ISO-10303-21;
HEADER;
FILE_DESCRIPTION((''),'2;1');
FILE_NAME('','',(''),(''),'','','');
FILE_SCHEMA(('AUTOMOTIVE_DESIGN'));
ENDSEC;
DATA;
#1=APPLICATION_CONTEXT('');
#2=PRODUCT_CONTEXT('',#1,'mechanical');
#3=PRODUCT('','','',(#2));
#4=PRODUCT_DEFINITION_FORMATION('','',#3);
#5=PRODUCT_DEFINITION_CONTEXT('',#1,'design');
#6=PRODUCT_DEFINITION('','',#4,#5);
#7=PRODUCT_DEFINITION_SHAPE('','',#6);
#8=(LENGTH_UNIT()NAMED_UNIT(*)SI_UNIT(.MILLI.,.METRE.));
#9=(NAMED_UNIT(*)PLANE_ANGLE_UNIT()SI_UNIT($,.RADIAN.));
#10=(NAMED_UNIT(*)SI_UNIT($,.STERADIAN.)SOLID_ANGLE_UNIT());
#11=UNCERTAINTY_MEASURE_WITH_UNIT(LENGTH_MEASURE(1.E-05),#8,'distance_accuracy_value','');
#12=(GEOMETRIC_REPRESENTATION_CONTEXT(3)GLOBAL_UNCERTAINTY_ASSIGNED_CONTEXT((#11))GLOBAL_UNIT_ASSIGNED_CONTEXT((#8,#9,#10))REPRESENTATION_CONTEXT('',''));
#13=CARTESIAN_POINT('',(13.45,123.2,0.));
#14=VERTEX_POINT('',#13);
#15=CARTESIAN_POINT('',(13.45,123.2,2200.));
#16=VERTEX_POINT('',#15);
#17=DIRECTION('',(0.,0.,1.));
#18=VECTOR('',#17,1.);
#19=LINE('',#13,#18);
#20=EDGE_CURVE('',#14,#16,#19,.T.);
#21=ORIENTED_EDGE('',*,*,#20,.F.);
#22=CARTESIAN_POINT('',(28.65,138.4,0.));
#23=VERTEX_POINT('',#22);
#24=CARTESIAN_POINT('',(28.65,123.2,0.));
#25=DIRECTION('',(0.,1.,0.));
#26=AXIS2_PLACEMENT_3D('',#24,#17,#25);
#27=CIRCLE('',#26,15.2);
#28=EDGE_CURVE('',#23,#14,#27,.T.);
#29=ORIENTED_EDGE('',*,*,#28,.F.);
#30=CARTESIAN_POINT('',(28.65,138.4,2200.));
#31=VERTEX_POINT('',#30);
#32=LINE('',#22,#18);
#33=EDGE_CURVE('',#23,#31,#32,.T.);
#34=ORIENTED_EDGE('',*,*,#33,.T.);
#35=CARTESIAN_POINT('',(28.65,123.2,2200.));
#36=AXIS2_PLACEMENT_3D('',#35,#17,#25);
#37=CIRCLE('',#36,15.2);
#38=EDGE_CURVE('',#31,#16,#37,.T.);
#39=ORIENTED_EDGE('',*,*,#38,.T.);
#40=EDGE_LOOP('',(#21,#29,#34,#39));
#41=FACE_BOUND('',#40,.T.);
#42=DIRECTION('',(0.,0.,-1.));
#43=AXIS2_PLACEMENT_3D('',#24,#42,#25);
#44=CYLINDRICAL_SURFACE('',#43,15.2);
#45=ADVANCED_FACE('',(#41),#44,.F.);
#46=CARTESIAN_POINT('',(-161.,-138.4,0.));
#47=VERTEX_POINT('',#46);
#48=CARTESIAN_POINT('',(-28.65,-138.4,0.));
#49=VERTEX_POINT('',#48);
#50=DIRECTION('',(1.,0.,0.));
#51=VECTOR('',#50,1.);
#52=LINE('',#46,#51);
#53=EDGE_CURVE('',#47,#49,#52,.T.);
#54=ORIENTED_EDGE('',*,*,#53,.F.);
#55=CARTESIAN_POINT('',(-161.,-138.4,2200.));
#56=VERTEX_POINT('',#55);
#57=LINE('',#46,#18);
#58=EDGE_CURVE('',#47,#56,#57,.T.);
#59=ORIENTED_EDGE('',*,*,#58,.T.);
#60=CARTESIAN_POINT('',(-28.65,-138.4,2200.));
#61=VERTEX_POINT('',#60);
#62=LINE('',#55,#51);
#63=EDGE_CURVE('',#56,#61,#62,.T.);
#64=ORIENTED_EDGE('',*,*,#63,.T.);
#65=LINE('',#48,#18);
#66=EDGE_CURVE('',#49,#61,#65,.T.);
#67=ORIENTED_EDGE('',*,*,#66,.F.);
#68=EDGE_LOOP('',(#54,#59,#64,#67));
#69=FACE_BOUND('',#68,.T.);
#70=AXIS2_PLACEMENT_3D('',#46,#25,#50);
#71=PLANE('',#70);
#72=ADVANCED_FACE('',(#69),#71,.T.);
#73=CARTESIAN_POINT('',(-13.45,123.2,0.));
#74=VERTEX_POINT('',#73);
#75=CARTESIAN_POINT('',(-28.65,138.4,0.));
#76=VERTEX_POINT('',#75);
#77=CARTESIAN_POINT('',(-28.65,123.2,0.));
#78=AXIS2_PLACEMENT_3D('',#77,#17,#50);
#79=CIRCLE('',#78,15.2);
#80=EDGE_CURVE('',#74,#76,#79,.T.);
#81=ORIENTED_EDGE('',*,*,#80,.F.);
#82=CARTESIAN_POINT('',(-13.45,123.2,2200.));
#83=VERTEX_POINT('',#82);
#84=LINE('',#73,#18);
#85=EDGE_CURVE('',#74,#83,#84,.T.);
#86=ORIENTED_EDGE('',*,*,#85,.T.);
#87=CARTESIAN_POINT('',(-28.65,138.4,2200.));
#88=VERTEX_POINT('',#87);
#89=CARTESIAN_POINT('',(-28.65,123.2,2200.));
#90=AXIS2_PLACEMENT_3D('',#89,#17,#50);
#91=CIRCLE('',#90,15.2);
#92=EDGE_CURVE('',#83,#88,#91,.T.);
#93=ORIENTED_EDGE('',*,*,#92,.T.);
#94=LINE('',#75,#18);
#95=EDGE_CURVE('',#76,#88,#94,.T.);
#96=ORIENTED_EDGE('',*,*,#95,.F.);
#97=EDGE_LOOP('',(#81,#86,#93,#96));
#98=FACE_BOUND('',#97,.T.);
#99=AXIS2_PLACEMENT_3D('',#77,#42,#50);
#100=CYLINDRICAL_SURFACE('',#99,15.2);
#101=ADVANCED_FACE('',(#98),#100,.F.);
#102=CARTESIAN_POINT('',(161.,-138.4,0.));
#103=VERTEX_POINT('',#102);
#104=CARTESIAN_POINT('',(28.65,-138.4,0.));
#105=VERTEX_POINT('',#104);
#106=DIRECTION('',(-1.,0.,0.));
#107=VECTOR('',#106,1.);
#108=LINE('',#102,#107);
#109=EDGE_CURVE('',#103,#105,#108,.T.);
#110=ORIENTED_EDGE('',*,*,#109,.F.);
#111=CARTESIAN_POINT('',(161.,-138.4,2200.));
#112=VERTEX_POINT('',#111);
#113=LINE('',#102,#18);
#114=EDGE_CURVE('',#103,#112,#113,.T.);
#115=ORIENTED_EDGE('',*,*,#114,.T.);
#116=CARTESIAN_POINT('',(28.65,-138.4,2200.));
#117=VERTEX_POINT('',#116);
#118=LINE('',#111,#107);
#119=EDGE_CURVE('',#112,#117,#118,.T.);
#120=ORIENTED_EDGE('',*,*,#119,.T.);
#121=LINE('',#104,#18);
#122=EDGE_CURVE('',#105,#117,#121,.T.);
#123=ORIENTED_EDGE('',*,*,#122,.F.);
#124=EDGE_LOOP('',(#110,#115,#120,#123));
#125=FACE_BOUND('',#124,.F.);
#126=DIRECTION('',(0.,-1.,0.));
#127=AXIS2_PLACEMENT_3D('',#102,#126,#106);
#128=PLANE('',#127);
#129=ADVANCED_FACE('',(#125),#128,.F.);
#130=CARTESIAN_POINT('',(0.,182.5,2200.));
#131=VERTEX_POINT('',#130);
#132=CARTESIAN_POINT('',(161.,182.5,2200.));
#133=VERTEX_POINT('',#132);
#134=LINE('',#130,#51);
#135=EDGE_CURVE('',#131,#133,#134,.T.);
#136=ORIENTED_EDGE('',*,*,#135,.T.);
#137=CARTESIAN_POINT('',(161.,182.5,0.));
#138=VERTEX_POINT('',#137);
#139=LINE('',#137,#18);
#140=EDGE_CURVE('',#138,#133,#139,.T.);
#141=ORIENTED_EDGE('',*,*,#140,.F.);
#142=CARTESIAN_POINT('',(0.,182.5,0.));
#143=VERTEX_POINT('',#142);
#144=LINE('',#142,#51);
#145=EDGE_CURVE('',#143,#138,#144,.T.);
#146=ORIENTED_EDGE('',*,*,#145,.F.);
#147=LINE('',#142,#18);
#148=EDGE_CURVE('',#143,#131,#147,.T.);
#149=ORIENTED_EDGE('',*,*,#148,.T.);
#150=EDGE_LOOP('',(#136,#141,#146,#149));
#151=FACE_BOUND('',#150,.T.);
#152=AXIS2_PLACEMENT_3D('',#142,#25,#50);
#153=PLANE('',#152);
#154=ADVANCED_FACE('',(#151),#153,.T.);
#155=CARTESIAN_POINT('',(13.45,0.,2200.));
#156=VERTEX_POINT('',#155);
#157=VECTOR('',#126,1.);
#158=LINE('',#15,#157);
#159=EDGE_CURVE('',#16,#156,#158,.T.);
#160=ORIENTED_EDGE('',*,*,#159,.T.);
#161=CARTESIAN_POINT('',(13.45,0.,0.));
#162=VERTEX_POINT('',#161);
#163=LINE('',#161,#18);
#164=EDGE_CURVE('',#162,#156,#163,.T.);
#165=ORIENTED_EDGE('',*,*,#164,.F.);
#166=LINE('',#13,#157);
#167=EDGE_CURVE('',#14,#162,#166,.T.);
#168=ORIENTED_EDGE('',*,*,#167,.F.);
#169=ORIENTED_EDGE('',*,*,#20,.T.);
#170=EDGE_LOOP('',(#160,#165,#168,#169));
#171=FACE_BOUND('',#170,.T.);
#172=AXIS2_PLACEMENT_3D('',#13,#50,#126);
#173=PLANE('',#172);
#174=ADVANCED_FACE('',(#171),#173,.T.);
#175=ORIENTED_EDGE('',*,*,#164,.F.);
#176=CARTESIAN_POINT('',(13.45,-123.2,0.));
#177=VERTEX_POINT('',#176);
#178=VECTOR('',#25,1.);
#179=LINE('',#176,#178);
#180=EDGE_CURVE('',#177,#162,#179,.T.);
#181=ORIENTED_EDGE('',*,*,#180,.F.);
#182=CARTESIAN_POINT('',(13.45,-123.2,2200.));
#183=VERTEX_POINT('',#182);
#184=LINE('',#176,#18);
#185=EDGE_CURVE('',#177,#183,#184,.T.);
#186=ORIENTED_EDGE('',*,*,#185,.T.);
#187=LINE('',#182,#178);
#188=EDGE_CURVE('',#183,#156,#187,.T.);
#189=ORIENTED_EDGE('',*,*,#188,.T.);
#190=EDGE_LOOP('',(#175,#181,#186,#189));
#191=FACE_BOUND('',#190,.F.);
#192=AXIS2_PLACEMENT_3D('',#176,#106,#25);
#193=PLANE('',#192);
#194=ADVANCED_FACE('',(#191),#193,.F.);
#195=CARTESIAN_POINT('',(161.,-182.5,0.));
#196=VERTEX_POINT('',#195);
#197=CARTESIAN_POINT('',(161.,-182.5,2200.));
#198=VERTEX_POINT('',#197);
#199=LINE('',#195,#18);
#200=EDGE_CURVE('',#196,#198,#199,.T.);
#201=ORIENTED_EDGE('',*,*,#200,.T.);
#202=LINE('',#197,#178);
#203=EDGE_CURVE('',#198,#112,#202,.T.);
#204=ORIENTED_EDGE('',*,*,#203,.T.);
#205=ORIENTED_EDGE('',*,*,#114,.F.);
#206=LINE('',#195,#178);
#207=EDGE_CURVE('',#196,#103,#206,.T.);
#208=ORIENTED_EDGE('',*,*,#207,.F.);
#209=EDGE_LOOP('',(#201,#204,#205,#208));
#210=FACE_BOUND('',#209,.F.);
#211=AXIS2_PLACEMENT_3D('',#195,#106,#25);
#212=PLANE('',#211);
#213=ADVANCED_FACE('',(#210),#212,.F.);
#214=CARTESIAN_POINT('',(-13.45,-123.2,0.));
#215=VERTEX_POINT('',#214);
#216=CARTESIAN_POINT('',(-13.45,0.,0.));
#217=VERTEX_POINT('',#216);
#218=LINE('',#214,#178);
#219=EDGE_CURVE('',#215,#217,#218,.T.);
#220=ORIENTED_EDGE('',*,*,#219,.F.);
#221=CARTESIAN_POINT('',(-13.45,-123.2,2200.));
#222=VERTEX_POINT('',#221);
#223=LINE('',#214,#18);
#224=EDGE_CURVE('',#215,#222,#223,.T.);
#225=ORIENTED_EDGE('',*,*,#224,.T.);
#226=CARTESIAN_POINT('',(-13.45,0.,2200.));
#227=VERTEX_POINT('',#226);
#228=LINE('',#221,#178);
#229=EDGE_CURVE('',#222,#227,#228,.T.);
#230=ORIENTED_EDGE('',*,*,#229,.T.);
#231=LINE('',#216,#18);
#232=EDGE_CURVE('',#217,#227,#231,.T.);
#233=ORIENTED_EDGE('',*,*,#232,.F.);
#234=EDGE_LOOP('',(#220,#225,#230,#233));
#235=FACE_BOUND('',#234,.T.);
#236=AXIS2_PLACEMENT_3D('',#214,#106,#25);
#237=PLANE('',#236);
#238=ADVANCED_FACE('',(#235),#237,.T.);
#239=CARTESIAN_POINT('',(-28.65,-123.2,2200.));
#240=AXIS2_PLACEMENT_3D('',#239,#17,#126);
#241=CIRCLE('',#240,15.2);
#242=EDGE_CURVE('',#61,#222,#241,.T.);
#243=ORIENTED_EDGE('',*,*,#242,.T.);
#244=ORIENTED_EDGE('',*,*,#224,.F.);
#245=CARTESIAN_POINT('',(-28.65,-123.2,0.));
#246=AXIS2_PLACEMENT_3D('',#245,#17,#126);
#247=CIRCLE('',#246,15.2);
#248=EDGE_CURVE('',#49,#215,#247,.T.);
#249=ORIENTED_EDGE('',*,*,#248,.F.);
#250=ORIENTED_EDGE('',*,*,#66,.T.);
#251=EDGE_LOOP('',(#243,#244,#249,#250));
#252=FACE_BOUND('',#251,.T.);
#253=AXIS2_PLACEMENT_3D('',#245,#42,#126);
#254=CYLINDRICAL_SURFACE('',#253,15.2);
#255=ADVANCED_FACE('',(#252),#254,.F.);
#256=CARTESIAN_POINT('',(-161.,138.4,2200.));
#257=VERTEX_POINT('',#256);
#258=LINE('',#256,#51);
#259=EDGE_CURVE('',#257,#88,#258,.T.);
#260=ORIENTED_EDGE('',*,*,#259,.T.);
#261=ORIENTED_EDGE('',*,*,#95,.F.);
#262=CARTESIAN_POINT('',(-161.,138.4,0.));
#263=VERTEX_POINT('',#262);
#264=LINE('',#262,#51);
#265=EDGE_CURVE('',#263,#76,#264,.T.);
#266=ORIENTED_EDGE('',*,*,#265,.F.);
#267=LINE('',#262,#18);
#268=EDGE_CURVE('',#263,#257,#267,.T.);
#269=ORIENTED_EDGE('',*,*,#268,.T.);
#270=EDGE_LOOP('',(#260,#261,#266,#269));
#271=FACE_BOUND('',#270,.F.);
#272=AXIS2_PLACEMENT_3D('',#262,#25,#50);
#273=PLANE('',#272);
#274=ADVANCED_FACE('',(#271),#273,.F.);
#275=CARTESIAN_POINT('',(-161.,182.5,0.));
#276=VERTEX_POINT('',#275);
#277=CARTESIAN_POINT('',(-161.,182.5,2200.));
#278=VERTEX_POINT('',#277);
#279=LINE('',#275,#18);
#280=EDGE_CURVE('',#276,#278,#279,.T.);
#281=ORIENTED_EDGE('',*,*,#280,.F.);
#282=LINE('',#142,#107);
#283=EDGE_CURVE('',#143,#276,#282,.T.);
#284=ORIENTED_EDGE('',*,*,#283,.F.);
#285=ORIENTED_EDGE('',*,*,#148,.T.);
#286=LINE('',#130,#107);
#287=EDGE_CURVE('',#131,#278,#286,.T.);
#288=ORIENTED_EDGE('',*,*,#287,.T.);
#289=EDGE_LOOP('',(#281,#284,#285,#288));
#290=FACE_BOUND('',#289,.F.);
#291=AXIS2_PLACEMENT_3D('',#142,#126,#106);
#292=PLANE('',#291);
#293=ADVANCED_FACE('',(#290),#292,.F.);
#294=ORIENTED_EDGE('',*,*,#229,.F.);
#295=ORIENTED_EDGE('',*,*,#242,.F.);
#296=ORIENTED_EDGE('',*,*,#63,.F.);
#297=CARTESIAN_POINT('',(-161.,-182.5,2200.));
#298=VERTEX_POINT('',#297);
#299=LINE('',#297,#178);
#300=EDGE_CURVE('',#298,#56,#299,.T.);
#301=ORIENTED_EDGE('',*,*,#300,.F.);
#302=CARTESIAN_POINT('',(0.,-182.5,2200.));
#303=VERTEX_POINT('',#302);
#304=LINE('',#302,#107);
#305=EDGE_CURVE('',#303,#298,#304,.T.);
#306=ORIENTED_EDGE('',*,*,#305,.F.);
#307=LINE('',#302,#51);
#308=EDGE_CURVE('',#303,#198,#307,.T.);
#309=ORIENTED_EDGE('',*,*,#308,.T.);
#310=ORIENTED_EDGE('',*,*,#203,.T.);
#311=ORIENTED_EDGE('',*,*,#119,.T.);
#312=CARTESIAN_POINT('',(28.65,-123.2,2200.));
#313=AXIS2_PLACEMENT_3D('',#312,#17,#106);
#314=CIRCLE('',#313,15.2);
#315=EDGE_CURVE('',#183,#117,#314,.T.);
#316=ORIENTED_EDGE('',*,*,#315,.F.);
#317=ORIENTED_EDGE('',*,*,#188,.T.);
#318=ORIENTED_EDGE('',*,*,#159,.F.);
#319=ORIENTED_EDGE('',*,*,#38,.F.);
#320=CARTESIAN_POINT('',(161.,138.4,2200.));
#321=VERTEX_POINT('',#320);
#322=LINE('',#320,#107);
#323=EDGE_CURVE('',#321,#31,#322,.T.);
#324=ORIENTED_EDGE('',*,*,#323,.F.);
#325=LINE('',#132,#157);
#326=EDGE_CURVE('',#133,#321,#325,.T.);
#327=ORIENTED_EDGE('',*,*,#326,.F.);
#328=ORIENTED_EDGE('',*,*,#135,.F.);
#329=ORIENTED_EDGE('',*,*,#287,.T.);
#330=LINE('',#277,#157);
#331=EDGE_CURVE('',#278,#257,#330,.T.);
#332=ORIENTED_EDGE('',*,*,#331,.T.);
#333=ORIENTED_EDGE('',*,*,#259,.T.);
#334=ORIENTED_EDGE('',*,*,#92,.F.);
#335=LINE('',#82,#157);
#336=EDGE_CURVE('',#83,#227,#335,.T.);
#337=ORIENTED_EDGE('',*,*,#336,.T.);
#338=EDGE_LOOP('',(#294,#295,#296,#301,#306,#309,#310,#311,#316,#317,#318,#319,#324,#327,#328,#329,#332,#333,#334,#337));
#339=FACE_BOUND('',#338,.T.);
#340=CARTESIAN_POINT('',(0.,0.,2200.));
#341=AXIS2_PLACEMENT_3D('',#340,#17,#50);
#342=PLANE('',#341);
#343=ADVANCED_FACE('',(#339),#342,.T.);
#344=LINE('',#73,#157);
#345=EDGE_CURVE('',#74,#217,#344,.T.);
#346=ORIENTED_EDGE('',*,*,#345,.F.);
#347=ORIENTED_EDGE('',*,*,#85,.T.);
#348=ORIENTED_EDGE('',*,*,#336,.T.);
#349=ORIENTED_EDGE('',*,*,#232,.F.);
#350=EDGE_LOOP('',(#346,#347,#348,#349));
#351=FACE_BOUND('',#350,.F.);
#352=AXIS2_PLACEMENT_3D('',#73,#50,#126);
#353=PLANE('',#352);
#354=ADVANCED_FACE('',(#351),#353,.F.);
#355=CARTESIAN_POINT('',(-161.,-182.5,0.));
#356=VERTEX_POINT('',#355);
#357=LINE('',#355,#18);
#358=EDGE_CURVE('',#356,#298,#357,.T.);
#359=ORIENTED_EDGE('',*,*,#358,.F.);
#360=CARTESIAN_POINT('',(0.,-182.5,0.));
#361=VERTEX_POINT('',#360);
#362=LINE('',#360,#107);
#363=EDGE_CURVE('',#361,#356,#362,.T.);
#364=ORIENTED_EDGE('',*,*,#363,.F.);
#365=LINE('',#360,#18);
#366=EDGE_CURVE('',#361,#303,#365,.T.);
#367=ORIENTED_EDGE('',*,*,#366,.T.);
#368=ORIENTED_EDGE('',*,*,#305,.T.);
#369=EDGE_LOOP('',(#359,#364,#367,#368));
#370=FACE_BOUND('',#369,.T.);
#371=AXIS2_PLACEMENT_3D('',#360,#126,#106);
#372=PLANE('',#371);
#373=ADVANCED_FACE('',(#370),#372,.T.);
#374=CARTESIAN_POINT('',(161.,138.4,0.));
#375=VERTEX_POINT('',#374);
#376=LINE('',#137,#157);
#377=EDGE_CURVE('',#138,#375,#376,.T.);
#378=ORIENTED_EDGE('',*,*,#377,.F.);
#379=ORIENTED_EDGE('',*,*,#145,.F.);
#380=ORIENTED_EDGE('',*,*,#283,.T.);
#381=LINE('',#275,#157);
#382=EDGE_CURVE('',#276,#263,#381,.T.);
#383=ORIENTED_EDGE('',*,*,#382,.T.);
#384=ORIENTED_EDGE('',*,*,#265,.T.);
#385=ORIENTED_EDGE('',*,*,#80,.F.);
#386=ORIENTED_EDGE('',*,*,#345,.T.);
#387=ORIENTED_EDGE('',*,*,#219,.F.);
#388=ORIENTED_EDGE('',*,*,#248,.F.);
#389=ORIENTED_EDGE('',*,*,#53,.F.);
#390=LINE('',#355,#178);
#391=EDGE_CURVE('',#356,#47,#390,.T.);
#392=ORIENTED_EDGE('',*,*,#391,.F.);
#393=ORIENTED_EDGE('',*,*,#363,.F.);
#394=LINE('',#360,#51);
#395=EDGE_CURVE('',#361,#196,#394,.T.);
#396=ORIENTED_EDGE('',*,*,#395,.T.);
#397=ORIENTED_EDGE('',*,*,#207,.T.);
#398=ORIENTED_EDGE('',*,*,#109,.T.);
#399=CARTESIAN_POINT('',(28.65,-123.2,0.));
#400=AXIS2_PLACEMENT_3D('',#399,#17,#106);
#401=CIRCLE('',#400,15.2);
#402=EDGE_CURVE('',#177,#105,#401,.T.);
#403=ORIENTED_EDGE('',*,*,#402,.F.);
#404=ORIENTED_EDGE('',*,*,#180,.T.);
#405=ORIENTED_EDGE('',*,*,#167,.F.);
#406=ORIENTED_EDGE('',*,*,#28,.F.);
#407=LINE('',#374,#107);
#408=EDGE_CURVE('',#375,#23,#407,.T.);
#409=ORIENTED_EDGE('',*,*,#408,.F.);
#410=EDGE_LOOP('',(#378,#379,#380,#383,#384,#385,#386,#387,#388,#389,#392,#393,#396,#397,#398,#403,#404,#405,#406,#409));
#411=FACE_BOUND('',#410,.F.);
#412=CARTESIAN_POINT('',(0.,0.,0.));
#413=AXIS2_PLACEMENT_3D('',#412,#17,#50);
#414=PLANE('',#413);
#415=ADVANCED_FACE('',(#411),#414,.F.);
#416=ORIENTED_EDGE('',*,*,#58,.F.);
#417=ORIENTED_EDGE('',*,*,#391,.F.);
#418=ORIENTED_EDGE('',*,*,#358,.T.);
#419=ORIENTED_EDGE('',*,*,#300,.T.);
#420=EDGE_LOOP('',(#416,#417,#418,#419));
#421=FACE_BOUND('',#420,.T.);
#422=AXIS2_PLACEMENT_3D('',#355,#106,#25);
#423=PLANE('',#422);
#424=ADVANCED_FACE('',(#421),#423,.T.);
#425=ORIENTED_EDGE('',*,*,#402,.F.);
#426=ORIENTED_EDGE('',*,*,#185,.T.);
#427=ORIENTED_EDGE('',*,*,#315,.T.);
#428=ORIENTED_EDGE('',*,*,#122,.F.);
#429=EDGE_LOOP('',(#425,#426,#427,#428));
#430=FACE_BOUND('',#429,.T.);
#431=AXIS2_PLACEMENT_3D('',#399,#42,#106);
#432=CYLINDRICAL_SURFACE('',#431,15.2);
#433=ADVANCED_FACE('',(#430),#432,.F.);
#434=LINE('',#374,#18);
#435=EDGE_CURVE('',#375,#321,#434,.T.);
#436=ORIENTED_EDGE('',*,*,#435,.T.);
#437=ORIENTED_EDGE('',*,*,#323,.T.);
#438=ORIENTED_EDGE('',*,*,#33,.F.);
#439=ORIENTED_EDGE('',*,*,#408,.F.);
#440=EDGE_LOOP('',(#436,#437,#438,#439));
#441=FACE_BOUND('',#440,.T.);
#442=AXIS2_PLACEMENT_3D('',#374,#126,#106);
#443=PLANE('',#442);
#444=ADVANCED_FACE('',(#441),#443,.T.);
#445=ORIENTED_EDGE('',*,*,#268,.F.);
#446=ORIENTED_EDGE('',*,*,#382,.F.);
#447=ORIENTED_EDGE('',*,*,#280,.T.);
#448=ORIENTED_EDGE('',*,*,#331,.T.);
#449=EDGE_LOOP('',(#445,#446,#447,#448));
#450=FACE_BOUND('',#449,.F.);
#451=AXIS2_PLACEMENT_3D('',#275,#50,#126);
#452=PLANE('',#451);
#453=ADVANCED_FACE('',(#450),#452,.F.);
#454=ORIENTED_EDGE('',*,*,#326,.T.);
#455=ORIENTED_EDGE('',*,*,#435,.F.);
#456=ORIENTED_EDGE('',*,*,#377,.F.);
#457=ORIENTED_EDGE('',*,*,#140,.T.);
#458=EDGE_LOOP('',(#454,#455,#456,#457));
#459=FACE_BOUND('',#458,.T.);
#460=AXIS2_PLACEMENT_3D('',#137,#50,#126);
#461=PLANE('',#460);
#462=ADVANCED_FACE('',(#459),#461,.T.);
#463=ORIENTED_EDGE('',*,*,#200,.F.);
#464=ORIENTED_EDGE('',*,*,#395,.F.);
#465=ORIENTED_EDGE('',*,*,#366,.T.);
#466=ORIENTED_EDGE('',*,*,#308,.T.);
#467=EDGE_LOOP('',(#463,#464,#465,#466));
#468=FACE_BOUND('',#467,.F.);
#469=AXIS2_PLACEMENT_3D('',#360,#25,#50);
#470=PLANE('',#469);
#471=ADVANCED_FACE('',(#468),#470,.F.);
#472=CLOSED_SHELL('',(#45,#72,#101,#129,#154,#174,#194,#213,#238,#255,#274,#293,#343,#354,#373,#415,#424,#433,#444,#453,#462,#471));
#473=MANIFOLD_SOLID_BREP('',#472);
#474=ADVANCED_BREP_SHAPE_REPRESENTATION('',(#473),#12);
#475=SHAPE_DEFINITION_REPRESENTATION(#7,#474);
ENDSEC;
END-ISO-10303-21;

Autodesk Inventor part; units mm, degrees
ref_plane "YZ Plane" through (0, 0, 0) normal (1, 0, 0) x (0, 1, 0)
ref_plane "Start plane" through (0, 0, 0) normal (0, 0, 1) x (1, 0, 0)
ref_plane "End plane" through (0, 0, 2200) normal (0, 0, 1) x (1, 0, 0)
sketch "Sketch" plane through (0, 0, 0) normal (0, 0, 1) x (1, 0, 0)
  line L0 (-161, -182.5) -> (-161, -138.4)
  line L1 (-161, -138.4) -> (-28.65, -138.4)
  line L2 (-13.45, -123.2) -> (-13.45, 0)
  line L3 (-13.45, 0) -> (0, 0) construction
  line L4 (0, 0) -> (0, -182.5) construction
  line L5 (0, -182.5) -> (-161, -182.5)
  line L6 (-60, 0) -> (80, 0) construction
  line L7 (0, -60) -> (0, 80) construction
  line L8 (161, -182.5) -> (161, -138.4)
  line L9 (161, -138.4) -> (28.65, -138.4)
  line L10 (13.45, -123.2) -> (13.45, 0)
  line L11 (13.45, 0) -> (0, 0) construction
  line L12 (0, -182.5) -> (161, -182.5)
  line L13 (-161, 182.5) -> (-161, 138.4)
  line L14 (-161, 138.4) -> (-28.65, 138.4)
  line L15 (-13.45, 123.2) -> (-13.45, 0)
  line L16 (0, 182.5) -> (-161, 182.5)
  line L17 (161, 182.5) -> (161, 138.4)
  line L18 (161, 138.4) -> (28.65, 138.4)
  line L19 (0, 182.5) -> (161, 182.5)
  line L20 (13.45, 123.2) -> (13.45, 0)
  arc A0 (-13.45, 123.2) -> (-28.65, 138.4) centre (-28.65, 123.2) ccw
  arc A1 (28.65, 138.4) -> (13.45, 123.2) centre (28.65, 123.2) ccw
  arc A2 (13.45, -123.2) -> (28.65, -138.4) centre (28.65, -123.2) ccw
  arc A3 (-28.65, -138.4) -> (-13.45, -123.2) centre (-28.65, -123.2) ccw
  line L21 (0, 108) -> (0, -88) construction
  line L22 (-88, 0) -> (108, 0) construction
  point P0 (-13.45, -138.4)
  point P1 (13.45, -138.4)
  point P2 (-13.45, 138.4)
  point P3 (13.45, 138.4)
  dimension "d1" = 182.5
  dimension "d2" = 44.1
  dimension "d3" = 161
  dimension "d4" = 13.45
  dimension "d10" = 15.2
extrude "Body" add sketch "Sketch" along normal up to surface (2200 mm away) from surface at 0
sketch "Sketch4" plane through (0, 0, 0) normal (0, 0, 1) x (1, 0, 0)
  line L0 (0, 0) -> (10, 0)
ref_plane "Work Plane3" through (0, 0, 0) normal (0, -1, 0) x (1, 0, 0)
sketch "Sketch5" plane through (0, 0, 0) normal (0, -1, 0) x (1, 0, 0)
  line L0 (-2, 0) -> (12, 0) projected
  line L1 (-2, 2200) -> (12, 2200) projected
  dimension "d14" = 2200
equation "\"d1\" = 0.5 * G_H"
equation "\"d2\" = G_T1"
equation "\"d3\" = 0.5 * G_W"
equation "\"d4\" = 0.5 * G_T"
equation "\"d10\" = G_IR"
equation "\"d5\" = G_L"
equation "\"G_W\" = 322"
equation "\"G_H\" = 365"
equation "\"G_T\" = 26.9"
equation "\"G_T1\" = 44.1"
equation "\"G_IR\" = 15.2"
equation "\"G_L\" = d14"
equation "\"G_OFFSET_START\" = 0"
equation "\"G_OFFSET_END\" = 0"
properties part number "AS 3679 - 310 UC - 283 - 2200" material "Steel, Mild"
